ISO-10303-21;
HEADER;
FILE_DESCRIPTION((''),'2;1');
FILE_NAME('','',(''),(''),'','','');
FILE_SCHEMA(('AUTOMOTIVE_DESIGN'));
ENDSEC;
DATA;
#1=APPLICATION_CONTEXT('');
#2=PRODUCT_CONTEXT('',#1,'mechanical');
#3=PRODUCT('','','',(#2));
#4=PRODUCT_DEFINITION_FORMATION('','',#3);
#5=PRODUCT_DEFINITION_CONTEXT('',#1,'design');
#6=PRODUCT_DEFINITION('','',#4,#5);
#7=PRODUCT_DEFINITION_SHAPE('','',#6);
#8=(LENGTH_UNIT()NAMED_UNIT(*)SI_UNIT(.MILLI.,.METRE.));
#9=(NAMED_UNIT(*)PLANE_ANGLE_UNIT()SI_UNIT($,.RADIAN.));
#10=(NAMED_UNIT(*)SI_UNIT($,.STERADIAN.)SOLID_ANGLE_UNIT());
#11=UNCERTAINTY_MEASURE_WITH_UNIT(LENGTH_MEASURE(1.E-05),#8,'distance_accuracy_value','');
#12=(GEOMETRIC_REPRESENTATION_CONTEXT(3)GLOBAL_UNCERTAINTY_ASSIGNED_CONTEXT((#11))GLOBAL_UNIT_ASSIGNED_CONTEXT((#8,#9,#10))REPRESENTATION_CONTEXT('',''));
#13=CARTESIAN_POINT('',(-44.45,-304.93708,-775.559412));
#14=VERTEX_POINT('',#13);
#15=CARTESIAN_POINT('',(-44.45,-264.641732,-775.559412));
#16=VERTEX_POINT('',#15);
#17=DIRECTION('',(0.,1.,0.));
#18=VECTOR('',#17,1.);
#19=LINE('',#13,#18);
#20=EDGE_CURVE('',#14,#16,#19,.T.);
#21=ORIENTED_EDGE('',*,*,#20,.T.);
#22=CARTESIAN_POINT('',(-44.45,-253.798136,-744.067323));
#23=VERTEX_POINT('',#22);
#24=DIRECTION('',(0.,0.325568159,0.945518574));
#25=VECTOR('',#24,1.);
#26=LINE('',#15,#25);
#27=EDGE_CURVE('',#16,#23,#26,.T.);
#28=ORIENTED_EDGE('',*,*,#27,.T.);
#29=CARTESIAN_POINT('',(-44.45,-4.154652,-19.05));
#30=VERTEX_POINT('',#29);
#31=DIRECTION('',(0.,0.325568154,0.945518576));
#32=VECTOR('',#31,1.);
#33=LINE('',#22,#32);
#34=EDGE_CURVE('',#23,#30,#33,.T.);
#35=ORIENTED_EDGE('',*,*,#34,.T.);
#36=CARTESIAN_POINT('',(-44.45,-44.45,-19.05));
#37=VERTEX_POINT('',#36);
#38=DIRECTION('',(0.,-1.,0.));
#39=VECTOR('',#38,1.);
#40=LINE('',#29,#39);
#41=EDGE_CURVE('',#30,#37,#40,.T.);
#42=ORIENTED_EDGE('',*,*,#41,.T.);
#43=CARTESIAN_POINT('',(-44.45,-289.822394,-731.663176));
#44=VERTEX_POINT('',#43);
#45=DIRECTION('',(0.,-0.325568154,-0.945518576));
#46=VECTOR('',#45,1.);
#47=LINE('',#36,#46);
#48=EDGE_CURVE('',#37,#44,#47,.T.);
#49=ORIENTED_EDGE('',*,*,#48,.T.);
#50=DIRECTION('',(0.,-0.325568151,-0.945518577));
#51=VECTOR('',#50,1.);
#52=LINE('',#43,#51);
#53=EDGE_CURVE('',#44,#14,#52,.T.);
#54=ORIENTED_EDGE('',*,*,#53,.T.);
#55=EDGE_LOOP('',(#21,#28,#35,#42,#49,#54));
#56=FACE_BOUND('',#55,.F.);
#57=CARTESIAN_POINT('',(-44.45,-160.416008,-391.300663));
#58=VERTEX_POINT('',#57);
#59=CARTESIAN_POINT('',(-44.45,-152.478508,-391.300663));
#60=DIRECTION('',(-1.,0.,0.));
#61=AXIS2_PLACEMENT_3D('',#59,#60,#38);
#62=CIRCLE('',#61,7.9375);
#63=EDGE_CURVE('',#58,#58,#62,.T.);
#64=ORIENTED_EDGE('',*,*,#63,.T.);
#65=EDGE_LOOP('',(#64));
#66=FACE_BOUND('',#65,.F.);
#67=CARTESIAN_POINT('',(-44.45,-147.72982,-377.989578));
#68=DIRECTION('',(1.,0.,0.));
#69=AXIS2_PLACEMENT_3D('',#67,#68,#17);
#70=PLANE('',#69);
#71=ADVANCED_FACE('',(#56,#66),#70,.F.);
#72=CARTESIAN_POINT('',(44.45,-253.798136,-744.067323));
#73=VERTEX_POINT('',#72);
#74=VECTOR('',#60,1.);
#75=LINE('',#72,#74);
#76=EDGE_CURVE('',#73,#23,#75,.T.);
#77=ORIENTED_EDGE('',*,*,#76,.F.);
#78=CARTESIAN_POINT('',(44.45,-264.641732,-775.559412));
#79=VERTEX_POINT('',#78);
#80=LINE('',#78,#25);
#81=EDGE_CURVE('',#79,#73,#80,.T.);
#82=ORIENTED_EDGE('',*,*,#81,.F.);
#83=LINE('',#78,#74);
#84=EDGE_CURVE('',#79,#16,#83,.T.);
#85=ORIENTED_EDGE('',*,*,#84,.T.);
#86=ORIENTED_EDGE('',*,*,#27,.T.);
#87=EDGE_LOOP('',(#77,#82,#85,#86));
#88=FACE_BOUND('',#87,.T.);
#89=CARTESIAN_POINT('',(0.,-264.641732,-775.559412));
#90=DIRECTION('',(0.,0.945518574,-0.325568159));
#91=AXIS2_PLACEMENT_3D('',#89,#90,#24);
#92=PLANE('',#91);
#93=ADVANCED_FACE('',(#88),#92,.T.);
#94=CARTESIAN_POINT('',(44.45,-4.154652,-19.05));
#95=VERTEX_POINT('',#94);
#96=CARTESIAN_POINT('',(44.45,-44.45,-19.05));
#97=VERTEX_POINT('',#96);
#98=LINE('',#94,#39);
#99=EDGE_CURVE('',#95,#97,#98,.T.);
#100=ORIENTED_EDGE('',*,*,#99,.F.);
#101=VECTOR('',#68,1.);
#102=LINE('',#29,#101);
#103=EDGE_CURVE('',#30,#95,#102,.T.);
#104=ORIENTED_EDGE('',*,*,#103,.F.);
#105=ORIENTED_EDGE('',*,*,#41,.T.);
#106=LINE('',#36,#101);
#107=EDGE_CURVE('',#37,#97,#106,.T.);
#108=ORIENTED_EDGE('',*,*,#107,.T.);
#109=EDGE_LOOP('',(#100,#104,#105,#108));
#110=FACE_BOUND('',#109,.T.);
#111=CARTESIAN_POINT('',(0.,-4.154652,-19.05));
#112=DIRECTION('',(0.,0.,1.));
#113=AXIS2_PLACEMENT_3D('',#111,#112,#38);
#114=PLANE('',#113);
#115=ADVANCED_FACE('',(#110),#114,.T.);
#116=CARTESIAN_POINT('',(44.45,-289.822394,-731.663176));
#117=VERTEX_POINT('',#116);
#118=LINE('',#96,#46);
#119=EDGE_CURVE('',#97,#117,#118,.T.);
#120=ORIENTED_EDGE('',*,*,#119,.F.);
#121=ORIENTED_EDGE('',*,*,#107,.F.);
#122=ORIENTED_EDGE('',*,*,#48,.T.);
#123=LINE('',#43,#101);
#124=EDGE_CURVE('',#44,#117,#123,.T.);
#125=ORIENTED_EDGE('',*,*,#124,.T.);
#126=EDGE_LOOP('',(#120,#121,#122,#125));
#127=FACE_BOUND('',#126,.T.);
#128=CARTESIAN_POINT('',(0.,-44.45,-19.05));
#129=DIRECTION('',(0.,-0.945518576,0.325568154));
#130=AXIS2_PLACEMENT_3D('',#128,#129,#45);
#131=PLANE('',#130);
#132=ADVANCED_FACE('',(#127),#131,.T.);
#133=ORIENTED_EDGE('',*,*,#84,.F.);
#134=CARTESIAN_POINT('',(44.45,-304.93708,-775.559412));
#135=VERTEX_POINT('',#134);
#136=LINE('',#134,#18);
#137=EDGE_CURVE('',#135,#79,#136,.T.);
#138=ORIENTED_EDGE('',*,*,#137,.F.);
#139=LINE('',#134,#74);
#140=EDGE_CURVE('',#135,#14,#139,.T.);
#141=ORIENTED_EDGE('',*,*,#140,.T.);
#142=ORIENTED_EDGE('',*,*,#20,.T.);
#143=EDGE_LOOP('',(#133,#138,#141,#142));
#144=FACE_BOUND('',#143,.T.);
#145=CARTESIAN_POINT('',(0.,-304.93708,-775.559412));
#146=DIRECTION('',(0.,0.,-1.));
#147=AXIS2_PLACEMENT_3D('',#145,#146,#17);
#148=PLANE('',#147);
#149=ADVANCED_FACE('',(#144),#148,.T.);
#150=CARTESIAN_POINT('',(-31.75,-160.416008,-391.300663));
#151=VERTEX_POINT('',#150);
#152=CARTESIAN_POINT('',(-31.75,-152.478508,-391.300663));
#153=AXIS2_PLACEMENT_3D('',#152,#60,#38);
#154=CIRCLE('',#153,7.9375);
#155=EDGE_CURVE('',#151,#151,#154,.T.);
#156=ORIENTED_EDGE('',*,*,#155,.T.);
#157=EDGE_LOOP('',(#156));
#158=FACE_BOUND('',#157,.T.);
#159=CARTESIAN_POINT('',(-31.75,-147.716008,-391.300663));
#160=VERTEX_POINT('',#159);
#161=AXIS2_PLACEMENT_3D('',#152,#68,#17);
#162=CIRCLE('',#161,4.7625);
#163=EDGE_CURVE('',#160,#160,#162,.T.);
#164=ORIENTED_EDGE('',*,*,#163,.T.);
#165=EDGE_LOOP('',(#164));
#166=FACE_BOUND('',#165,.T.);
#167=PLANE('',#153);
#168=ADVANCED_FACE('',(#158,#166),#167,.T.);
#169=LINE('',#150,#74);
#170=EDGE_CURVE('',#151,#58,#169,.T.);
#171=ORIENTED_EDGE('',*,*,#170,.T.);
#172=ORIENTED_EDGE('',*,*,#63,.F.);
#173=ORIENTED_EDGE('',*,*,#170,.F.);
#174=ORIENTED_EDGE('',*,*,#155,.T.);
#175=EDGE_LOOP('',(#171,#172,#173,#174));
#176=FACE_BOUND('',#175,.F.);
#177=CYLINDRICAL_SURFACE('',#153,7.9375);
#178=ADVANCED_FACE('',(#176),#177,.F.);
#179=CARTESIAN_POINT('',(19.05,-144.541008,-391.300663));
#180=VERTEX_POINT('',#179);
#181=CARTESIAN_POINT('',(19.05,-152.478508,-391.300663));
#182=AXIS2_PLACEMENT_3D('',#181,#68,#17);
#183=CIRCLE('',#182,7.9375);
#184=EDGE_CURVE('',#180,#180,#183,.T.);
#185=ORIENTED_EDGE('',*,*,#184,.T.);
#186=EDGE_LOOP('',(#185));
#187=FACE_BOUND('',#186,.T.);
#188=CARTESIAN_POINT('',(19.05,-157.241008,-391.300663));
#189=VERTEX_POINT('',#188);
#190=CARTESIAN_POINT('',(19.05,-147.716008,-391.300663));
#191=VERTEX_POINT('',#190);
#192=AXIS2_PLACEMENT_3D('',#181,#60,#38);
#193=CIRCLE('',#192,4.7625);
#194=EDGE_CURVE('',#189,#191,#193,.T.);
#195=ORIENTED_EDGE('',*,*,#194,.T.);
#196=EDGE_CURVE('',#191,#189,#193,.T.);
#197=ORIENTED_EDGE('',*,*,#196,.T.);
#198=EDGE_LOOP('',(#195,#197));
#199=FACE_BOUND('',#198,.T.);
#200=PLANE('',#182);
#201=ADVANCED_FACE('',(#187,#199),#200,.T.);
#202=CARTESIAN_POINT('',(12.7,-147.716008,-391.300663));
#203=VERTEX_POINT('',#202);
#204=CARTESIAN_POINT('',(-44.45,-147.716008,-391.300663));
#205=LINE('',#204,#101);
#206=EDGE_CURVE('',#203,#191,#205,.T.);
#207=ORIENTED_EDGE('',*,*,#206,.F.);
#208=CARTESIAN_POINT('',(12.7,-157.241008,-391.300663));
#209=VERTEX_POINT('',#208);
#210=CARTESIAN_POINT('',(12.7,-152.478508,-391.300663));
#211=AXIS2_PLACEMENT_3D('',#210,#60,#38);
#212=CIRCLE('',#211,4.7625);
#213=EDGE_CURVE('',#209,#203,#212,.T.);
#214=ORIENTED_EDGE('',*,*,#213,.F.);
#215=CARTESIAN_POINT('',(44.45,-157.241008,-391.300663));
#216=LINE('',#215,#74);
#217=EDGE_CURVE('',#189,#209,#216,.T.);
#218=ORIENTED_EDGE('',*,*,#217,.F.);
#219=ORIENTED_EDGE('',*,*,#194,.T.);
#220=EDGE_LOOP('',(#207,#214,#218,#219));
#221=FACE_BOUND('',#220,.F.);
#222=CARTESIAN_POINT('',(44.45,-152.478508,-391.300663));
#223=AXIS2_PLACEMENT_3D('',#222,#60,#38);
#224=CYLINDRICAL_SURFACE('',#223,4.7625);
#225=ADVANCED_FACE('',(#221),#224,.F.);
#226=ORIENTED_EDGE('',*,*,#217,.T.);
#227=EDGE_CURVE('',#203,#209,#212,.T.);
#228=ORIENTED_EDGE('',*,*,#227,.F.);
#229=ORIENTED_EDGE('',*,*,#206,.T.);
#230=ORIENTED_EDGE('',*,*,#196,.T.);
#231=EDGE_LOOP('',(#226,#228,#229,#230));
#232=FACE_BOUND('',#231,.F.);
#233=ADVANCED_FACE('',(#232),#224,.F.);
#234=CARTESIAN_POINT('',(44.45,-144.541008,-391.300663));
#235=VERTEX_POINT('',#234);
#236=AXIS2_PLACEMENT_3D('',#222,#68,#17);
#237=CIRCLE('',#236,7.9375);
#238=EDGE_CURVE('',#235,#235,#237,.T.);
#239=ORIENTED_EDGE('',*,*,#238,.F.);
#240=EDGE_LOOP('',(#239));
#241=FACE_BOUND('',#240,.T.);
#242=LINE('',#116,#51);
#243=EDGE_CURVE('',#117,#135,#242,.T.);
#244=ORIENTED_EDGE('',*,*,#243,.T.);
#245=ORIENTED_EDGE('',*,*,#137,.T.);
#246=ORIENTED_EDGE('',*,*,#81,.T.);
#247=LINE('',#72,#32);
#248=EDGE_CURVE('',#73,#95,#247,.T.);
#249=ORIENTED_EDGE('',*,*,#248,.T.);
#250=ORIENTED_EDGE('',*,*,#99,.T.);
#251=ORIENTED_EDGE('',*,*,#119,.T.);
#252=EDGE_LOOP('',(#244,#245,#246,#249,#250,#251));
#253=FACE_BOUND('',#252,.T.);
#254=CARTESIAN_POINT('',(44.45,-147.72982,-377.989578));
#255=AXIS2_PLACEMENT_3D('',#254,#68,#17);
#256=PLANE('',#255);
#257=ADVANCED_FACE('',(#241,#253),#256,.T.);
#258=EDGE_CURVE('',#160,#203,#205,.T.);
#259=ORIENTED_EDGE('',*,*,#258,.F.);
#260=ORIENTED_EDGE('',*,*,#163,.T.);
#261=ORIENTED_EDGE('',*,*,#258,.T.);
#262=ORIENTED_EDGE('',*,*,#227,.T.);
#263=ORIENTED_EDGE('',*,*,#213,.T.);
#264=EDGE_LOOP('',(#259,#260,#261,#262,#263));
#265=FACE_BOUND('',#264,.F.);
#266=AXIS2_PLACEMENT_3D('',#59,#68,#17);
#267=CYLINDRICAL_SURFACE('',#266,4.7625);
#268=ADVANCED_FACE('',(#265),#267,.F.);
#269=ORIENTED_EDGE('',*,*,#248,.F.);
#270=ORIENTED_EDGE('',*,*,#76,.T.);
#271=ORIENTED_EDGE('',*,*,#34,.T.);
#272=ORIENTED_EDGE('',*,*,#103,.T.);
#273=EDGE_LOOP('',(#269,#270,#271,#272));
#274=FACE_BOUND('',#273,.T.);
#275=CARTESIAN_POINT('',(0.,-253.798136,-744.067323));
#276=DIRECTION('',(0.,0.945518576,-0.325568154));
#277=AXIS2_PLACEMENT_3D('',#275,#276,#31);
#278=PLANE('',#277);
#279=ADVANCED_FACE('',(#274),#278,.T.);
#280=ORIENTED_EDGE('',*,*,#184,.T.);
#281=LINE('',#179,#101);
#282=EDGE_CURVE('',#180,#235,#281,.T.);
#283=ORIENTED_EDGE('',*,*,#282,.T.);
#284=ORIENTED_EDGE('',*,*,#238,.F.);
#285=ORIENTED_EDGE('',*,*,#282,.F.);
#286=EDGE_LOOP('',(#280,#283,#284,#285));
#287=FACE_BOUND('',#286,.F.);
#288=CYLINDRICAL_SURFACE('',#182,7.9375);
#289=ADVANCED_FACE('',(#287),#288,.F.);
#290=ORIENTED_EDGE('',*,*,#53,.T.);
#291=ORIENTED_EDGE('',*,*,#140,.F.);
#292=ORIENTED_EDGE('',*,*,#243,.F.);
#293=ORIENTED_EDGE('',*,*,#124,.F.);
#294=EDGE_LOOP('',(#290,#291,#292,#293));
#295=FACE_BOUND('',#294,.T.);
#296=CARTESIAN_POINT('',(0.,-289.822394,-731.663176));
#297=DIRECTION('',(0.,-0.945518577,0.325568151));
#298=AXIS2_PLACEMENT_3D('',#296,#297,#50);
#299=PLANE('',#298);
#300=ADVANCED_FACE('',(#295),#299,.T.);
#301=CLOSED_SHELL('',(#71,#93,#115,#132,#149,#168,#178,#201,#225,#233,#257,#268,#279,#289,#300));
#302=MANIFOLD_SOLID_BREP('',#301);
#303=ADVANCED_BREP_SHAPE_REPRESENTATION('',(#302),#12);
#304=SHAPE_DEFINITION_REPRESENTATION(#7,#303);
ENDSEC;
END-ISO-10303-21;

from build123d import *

# Parameters (mm, degrees)
F1_DEPTH       = 44.45
F1_DEPTH_BACK  = 44.45
F3_D           = 9.525
F3_DEPTH       = 31.75
F3_CBORE_D     = 15.875
F3_CBORE_DEPTH = 25.4
F5_D           = 9.525
F5_CBORE_D     = 15.875
F5_CBORE_DEPTH = 12.7


with BuildPart() as f1:
    # F0 (on Right) → F1 (new body, two sides)
    with BuildSketch(Plane.YZ) as f1_sk:
        Polygon((-253.798136, -744.067323), (-4.154652, -19.05), (-44.45, -19.05), (-289.822394, -731.663176), align=None)
        Polygon((-264.641732, -775.559412), (-253.798136, -744.067323), (-289.822394, -731.663176), (-304.93708, -775.559412), align=None)
    extrude(amount=F1_DEPTH)
    extrude(f1_sk.sketch, amount=-F1_DEPTH_BACK)

    # F3
    with Locations(Plane.YZ.offset(44.45)):
        with Locations((-152.478508, -391.300663)):
            CounterBoreHole(F3_D / 2, F3_CBORE_D / 2, F3_CBORE_DEPTH, depth=F3_DEPTH)

    # F5 (through all)
    with Locations(Plane(origin=(-44.45, 0, 0), x_dir=(0, -1, 0), z_dir=(-1, 0, 0))):
        with Locations((152.478508, -391.300663)):
            CounterBoreHole(F5_D / 2, F5_CBORE_D / 2, F5_CBORE_DEPTH)


solid = f1.part
